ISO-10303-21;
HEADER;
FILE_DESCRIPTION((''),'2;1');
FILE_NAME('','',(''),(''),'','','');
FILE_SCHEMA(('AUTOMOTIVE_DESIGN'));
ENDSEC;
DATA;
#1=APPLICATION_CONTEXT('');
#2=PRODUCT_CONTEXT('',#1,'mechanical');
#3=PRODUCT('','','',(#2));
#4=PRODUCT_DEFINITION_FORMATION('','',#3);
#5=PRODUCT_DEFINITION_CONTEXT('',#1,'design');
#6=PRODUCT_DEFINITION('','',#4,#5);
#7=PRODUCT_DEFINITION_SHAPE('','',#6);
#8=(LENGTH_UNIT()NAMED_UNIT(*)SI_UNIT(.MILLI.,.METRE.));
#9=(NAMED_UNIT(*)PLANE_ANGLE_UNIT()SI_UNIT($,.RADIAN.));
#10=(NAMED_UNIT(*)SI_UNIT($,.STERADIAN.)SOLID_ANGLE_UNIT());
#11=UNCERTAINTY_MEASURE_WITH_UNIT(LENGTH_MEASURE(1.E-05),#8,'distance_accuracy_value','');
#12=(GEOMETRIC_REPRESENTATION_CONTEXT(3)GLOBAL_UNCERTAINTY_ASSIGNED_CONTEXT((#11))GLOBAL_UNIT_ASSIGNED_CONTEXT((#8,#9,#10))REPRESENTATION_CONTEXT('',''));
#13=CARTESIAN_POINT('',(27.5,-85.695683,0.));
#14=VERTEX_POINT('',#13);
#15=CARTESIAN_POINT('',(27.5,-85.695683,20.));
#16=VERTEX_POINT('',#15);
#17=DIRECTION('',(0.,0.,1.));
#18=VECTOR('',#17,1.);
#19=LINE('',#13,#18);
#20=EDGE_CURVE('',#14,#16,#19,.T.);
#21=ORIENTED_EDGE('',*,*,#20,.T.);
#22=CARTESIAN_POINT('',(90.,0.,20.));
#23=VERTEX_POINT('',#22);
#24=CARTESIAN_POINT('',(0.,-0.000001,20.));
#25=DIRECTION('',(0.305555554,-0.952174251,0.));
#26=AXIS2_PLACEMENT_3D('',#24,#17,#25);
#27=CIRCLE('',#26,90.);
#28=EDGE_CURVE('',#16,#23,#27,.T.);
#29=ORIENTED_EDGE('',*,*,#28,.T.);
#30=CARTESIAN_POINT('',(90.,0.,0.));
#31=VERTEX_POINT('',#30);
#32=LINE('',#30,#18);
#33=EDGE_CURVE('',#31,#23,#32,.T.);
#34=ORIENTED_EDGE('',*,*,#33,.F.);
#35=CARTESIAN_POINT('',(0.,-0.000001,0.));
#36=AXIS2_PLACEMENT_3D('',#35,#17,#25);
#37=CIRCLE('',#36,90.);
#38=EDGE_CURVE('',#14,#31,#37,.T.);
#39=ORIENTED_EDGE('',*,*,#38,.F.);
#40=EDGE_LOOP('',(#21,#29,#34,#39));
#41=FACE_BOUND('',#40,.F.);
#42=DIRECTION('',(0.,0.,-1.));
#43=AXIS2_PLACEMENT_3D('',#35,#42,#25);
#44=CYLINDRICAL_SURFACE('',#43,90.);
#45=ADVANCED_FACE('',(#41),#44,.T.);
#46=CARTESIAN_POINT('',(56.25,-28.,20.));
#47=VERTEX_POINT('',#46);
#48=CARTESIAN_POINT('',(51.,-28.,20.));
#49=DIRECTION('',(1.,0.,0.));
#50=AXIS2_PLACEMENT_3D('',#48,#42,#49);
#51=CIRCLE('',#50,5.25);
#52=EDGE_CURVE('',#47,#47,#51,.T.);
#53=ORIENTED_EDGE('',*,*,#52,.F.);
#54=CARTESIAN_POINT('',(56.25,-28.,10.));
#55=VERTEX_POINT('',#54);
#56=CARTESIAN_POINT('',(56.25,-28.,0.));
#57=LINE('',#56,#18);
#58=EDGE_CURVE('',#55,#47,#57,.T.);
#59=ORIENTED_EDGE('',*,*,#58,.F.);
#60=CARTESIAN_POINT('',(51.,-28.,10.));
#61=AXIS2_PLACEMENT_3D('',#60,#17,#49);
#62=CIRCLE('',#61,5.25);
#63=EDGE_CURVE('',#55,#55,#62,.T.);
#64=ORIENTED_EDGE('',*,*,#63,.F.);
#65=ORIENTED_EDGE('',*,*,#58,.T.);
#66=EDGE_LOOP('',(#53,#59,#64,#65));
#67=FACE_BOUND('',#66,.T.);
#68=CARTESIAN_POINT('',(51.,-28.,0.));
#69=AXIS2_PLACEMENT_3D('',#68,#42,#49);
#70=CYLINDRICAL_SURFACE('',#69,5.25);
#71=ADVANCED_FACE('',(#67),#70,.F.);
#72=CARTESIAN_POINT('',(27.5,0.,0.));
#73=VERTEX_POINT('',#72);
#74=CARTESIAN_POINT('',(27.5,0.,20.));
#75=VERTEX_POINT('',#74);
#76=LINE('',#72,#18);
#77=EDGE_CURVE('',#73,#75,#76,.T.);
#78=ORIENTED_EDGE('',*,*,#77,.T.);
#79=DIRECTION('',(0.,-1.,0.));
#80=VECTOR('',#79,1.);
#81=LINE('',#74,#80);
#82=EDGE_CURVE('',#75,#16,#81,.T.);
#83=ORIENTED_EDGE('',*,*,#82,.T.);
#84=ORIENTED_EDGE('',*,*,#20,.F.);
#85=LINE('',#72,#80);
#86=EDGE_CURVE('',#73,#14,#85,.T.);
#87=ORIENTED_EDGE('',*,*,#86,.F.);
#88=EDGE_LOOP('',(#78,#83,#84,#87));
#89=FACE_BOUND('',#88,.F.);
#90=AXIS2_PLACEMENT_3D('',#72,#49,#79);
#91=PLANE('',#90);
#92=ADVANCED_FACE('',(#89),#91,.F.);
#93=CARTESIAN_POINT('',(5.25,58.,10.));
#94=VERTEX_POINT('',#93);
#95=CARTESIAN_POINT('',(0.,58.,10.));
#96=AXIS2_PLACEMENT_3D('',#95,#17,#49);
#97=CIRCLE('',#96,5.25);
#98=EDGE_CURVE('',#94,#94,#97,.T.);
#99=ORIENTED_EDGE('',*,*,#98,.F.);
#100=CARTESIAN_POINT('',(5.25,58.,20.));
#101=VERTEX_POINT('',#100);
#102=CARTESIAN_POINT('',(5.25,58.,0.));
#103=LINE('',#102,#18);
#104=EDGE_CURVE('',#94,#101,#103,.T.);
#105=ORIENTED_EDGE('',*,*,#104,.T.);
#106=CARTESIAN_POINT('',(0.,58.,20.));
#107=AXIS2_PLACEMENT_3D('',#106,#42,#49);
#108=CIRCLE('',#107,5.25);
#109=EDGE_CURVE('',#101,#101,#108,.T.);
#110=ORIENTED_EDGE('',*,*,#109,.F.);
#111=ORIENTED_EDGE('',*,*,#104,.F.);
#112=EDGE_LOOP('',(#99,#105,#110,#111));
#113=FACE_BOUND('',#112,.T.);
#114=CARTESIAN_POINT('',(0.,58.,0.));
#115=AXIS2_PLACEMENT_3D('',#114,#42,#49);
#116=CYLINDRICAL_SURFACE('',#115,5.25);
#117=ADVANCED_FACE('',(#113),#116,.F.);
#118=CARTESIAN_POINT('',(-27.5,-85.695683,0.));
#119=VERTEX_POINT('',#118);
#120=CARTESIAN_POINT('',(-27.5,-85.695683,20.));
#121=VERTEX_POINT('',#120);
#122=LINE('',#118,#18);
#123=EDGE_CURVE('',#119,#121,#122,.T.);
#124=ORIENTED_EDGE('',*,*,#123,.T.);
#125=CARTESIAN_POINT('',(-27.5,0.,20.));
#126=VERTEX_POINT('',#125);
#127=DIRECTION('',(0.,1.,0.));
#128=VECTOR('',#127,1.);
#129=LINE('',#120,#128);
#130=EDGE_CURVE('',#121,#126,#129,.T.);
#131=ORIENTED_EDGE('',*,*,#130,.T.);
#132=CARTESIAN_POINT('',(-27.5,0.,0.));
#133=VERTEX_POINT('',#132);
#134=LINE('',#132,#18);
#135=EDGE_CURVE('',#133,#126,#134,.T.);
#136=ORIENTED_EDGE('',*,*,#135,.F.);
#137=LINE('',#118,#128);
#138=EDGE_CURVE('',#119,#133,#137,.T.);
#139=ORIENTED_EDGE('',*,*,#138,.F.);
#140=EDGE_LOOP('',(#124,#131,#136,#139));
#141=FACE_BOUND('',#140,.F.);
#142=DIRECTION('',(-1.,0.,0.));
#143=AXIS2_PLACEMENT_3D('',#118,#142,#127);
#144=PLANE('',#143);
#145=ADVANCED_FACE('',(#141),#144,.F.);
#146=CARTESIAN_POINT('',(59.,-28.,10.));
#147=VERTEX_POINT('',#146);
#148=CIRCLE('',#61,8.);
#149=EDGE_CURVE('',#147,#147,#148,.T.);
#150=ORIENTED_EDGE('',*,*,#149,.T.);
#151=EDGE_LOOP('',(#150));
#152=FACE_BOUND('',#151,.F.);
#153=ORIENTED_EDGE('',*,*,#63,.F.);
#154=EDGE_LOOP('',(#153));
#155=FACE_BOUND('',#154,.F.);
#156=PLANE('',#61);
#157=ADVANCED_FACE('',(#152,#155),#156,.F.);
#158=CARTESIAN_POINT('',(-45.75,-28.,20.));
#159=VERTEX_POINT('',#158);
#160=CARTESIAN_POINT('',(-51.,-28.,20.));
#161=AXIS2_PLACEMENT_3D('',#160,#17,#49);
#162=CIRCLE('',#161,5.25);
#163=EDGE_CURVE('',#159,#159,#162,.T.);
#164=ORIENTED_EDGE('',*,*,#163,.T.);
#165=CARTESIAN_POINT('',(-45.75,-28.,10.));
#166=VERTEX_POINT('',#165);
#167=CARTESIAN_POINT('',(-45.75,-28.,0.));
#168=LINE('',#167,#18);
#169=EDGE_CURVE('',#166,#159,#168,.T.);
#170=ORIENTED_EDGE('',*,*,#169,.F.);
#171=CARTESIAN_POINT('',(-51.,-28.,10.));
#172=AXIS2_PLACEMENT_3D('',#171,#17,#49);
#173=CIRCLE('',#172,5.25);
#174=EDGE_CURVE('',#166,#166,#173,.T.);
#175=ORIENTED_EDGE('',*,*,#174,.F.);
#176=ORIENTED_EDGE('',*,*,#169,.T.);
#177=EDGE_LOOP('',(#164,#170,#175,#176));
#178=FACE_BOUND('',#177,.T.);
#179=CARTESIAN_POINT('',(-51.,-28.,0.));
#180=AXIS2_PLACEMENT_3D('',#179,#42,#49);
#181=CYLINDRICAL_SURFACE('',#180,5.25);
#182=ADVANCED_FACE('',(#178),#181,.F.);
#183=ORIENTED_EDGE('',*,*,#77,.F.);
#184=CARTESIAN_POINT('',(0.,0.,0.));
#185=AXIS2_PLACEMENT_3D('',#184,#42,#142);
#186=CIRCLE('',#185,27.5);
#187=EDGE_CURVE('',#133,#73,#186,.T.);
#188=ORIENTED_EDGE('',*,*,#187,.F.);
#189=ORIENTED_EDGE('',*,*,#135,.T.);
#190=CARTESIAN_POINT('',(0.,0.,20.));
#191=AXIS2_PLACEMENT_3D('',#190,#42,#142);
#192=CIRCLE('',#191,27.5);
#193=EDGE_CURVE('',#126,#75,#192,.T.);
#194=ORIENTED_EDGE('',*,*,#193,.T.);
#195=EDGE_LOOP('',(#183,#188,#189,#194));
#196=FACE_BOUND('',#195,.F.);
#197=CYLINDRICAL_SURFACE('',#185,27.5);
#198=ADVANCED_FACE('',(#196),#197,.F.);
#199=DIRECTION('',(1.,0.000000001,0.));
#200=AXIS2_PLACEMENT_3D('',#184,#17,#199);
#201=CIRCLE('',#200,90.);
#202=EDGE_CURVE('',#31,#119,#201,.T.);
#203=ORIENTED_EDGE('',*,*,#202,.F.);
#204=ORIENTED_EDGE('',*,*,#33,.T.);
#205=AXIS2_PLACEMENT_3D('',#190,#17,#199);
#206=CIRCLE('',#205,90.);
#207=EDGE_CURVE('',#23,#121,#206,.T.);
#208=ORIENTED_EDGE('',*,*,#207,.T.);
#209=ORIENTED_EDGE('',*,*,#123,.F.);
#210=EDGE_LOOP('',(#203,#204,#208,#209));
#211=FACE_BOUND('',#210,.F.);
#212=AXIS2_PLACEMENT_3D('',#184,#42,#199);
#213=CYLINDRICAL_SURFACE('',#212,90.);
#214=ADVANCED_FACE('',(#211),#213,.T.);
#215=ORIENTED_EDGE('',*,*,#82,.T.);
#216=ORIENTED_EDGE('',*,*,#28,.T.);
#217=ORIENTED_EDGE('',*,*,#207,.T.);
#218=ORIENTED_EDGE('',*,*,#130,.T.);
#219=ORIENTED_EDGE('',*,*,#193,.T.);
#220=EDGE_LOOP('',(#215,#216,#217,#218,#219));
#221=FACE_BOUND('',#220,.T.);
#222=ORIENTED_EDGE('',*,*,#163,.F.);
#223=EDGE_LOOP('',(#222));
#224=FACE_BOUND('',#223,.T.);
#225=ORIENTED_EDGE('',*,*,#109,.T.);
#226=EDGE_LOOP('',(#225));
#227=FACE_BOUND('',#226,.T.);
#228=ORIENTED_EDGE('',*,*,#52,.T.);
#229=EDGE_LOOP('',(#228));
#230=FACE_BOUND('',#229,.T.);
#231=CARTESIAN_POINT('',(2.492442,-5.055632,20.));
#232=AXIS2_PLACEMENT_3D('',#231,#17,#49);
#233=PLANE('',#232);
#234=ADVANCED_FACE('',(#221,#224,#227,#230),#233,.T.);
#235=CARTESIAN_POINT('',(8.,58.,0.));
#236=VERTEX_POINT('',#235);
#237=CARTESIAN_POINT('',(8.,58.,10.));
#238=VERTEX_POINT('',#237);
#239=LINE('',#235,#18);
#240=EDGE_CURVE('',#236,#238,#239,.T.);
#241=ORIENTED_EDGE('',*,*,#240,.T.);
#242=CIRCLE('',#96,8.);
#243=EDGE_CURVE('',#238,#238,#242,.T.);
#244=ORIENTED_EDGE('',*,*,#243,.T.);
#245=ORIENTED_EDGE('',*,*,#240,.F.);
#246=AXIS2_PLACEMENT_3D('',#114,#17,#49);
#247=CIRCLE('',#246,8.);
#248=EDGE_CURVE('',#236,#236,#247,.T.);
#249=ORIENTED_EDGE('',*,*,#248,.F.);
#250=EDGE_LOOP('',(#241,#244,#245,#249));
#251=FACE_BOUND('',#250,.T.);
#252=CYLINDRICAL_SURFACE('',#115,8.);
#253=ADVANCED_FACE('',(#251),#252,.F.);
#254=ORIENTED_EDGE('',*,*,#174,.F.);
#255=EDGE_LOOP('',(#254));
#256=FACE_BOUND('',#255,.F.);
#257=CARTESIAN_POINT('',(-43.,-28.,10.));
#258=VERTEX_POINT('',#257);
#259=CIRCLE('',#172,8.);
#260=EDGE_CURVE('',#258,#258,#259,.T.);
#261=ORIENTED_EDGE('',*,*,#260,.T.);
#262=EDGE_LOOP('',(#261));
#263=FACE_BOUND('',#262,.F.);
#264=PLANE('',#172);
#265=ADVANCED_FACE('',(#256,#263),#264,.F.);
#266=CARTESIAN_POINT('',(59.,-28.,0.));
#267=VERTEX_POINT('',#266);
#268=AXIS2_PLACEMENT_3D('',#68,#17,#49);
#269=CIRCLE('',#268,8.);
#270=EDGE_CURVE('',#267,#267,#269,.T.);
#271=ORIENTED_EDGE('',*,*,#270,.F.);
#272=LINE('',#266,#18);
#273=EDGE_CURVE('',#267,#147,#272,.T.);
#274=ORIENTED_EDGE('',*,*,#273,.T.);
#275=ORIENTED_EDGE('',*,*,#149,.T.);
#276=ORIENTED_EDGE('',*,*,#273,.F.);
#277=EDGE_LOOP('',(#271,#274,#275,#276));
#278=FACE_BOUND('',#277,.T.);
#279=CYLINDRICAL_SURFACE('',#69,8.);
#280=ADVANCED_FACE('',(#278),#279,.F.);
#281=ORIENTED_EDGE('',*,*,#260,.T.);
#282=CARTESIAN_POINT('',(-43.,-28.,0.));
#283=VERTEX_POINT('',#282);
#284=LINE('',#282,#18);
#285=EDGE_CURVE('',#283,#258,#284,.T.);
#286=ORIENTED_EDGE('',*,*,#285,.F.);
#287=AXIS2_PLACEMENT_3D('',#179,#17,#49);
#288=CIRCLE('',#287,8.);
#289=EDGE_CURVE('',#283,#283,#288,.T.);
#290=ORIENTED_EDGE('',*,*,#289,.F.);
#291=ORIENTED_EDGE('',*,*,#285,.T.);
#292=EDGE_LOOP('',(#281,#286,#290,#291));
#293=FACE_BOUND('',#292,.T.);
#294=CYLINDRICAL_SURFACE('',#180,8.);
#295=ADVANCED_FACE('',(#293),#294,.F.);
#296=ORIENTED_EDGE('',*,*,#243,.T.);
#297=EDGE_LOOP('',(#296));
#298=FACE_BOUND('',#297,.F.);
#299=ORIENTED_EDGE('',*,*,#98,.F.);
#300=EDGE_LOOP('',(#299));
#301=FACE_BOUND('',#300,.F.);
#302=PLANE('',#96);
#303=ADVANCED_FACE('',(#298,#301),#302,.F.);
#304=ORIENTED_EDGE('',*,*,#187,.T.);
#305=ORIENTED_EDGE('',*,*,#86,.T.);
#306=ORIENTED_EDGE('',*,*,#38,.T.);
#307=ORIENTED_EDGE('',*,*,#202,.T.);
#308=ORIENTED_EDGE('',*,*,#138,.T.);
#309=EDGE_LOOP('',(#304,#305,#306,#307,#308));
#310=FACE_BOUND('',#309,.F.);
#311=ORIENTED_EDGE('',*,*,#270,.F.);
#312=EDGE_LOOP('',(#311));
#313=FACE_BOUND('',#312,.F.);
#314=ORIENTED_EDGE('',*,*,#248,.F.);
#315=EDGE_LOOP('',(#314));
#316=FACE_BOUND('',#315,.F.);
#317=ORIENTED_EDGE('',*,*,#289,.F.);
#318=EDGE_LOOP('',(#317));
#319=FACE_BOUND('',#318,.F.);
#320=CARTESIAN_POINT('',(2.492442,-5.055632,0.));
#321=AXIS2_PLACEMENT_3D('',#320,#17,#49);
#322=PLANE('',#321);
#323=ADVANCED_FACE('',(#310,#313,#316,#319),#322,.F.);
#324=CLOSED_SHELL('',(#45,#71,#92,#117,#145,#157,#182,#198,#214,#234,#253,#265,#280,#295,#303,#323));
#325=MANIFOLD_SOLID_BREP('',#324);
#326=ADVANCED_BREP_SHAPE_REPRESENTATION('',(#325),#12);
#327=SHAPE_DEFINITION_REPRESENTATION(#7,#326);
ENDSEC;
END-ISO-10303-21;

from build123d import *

# Parameters (mm, degrees)
F0_R     = 8
F0_R_2   = 5.25
F1_DEPTH = 20
F2_DEPTH = 20.001
F3_DEPTH = 10


with BuildPart() as f1:
    # F0 (on Top) → F1 (new body)
    with BuildSketch(Plane.XY):
        with BuildLine():
            ThreePointArc((27.5, -85.695683), (72.715198, -53.033009), (90, 0))
            ThreePointArc((90, 0), (-53.033009, 72.715198), (-27.5, -85.695683))
            Line((-27.5, -85.695683), (-27.5, 0))
            ThreePointArc((-27.5, 0), (0, 27.5), (27.5, 0))
            Line((27.5, 0), (27.5, -85.695683))
        make_face()
        with Locations((-51, -28)):
            Circle(F0_R, mode=Mode.SUBTRACT)
        with Locations((51, -28)):
            Circle(F0_R, mode=Mode.SUBTRACT)
        with Locations((0, 58)):
            Circle(F0_R, mode=Mode.SUBTRACT)
        with Locations((-51, -28)):
            Circle(F0_R_2)
        with Locations((-51, -28)):
            Circle(F0_R)
        with Locations((-51, -28)):
            Circle(F0_R_2, mode=Mode.SUBTRACT)
        with Locations((51, -28)):
            Circle(F0_R)
        with Locations((51, -28)):
            Circle(F0_R_2, mode=Mode.SUBTRACT)
        with Locations((51, -28)):
            Circle(F0_R_2)
        with Locations((0, 58)):
            Circle(F0_R)
        with Locations((0, 58)):
            Circle(F0_R_2, mode=Mode.SUBTRACT)
        with Locations((0, 58)):
            Circle(F0_R_2)
    extrude(amount=F1_DEPTH)

    # F0 (on Top) → F2 (cut, through all)
    with BuildSketch(Plane.XY):
        with Locations((0, 58)):
            Circle(F0_R_2)
        with Locations((-51, -28)):
            Circle(F0_R_2)
        with Locations((51, -28)):
            Circle(F0_R_2)
    extrude(amount=F2_DEPTH, mode=Mode.SUBTRACT)

    # F0 (on Top) → F3 (cut)
    with BuildSketch(Plane.XY):
        with Locations((0, 58)):
            Circle(F0_R)
        with Locations((0, 58)):
            Circle(F0_R_2, mode=Mode.SUBTRACT)
        with Locations((51, -28)):
            Circle(F0_R)
        with Locations((51, -28)):
            Circle(F0_R_2, mode=Mode.SUBTRACT)
        with Locations((-51, -28)):
            Circle(F0_R)
        with Locations((-51, -28)):
            Circle(F0_R_2, mode=Mode.SUBTRACT)
    extrude(amount=F3_DEPTH, mode=Mode.SUBTRACT)


solid = f1.part
